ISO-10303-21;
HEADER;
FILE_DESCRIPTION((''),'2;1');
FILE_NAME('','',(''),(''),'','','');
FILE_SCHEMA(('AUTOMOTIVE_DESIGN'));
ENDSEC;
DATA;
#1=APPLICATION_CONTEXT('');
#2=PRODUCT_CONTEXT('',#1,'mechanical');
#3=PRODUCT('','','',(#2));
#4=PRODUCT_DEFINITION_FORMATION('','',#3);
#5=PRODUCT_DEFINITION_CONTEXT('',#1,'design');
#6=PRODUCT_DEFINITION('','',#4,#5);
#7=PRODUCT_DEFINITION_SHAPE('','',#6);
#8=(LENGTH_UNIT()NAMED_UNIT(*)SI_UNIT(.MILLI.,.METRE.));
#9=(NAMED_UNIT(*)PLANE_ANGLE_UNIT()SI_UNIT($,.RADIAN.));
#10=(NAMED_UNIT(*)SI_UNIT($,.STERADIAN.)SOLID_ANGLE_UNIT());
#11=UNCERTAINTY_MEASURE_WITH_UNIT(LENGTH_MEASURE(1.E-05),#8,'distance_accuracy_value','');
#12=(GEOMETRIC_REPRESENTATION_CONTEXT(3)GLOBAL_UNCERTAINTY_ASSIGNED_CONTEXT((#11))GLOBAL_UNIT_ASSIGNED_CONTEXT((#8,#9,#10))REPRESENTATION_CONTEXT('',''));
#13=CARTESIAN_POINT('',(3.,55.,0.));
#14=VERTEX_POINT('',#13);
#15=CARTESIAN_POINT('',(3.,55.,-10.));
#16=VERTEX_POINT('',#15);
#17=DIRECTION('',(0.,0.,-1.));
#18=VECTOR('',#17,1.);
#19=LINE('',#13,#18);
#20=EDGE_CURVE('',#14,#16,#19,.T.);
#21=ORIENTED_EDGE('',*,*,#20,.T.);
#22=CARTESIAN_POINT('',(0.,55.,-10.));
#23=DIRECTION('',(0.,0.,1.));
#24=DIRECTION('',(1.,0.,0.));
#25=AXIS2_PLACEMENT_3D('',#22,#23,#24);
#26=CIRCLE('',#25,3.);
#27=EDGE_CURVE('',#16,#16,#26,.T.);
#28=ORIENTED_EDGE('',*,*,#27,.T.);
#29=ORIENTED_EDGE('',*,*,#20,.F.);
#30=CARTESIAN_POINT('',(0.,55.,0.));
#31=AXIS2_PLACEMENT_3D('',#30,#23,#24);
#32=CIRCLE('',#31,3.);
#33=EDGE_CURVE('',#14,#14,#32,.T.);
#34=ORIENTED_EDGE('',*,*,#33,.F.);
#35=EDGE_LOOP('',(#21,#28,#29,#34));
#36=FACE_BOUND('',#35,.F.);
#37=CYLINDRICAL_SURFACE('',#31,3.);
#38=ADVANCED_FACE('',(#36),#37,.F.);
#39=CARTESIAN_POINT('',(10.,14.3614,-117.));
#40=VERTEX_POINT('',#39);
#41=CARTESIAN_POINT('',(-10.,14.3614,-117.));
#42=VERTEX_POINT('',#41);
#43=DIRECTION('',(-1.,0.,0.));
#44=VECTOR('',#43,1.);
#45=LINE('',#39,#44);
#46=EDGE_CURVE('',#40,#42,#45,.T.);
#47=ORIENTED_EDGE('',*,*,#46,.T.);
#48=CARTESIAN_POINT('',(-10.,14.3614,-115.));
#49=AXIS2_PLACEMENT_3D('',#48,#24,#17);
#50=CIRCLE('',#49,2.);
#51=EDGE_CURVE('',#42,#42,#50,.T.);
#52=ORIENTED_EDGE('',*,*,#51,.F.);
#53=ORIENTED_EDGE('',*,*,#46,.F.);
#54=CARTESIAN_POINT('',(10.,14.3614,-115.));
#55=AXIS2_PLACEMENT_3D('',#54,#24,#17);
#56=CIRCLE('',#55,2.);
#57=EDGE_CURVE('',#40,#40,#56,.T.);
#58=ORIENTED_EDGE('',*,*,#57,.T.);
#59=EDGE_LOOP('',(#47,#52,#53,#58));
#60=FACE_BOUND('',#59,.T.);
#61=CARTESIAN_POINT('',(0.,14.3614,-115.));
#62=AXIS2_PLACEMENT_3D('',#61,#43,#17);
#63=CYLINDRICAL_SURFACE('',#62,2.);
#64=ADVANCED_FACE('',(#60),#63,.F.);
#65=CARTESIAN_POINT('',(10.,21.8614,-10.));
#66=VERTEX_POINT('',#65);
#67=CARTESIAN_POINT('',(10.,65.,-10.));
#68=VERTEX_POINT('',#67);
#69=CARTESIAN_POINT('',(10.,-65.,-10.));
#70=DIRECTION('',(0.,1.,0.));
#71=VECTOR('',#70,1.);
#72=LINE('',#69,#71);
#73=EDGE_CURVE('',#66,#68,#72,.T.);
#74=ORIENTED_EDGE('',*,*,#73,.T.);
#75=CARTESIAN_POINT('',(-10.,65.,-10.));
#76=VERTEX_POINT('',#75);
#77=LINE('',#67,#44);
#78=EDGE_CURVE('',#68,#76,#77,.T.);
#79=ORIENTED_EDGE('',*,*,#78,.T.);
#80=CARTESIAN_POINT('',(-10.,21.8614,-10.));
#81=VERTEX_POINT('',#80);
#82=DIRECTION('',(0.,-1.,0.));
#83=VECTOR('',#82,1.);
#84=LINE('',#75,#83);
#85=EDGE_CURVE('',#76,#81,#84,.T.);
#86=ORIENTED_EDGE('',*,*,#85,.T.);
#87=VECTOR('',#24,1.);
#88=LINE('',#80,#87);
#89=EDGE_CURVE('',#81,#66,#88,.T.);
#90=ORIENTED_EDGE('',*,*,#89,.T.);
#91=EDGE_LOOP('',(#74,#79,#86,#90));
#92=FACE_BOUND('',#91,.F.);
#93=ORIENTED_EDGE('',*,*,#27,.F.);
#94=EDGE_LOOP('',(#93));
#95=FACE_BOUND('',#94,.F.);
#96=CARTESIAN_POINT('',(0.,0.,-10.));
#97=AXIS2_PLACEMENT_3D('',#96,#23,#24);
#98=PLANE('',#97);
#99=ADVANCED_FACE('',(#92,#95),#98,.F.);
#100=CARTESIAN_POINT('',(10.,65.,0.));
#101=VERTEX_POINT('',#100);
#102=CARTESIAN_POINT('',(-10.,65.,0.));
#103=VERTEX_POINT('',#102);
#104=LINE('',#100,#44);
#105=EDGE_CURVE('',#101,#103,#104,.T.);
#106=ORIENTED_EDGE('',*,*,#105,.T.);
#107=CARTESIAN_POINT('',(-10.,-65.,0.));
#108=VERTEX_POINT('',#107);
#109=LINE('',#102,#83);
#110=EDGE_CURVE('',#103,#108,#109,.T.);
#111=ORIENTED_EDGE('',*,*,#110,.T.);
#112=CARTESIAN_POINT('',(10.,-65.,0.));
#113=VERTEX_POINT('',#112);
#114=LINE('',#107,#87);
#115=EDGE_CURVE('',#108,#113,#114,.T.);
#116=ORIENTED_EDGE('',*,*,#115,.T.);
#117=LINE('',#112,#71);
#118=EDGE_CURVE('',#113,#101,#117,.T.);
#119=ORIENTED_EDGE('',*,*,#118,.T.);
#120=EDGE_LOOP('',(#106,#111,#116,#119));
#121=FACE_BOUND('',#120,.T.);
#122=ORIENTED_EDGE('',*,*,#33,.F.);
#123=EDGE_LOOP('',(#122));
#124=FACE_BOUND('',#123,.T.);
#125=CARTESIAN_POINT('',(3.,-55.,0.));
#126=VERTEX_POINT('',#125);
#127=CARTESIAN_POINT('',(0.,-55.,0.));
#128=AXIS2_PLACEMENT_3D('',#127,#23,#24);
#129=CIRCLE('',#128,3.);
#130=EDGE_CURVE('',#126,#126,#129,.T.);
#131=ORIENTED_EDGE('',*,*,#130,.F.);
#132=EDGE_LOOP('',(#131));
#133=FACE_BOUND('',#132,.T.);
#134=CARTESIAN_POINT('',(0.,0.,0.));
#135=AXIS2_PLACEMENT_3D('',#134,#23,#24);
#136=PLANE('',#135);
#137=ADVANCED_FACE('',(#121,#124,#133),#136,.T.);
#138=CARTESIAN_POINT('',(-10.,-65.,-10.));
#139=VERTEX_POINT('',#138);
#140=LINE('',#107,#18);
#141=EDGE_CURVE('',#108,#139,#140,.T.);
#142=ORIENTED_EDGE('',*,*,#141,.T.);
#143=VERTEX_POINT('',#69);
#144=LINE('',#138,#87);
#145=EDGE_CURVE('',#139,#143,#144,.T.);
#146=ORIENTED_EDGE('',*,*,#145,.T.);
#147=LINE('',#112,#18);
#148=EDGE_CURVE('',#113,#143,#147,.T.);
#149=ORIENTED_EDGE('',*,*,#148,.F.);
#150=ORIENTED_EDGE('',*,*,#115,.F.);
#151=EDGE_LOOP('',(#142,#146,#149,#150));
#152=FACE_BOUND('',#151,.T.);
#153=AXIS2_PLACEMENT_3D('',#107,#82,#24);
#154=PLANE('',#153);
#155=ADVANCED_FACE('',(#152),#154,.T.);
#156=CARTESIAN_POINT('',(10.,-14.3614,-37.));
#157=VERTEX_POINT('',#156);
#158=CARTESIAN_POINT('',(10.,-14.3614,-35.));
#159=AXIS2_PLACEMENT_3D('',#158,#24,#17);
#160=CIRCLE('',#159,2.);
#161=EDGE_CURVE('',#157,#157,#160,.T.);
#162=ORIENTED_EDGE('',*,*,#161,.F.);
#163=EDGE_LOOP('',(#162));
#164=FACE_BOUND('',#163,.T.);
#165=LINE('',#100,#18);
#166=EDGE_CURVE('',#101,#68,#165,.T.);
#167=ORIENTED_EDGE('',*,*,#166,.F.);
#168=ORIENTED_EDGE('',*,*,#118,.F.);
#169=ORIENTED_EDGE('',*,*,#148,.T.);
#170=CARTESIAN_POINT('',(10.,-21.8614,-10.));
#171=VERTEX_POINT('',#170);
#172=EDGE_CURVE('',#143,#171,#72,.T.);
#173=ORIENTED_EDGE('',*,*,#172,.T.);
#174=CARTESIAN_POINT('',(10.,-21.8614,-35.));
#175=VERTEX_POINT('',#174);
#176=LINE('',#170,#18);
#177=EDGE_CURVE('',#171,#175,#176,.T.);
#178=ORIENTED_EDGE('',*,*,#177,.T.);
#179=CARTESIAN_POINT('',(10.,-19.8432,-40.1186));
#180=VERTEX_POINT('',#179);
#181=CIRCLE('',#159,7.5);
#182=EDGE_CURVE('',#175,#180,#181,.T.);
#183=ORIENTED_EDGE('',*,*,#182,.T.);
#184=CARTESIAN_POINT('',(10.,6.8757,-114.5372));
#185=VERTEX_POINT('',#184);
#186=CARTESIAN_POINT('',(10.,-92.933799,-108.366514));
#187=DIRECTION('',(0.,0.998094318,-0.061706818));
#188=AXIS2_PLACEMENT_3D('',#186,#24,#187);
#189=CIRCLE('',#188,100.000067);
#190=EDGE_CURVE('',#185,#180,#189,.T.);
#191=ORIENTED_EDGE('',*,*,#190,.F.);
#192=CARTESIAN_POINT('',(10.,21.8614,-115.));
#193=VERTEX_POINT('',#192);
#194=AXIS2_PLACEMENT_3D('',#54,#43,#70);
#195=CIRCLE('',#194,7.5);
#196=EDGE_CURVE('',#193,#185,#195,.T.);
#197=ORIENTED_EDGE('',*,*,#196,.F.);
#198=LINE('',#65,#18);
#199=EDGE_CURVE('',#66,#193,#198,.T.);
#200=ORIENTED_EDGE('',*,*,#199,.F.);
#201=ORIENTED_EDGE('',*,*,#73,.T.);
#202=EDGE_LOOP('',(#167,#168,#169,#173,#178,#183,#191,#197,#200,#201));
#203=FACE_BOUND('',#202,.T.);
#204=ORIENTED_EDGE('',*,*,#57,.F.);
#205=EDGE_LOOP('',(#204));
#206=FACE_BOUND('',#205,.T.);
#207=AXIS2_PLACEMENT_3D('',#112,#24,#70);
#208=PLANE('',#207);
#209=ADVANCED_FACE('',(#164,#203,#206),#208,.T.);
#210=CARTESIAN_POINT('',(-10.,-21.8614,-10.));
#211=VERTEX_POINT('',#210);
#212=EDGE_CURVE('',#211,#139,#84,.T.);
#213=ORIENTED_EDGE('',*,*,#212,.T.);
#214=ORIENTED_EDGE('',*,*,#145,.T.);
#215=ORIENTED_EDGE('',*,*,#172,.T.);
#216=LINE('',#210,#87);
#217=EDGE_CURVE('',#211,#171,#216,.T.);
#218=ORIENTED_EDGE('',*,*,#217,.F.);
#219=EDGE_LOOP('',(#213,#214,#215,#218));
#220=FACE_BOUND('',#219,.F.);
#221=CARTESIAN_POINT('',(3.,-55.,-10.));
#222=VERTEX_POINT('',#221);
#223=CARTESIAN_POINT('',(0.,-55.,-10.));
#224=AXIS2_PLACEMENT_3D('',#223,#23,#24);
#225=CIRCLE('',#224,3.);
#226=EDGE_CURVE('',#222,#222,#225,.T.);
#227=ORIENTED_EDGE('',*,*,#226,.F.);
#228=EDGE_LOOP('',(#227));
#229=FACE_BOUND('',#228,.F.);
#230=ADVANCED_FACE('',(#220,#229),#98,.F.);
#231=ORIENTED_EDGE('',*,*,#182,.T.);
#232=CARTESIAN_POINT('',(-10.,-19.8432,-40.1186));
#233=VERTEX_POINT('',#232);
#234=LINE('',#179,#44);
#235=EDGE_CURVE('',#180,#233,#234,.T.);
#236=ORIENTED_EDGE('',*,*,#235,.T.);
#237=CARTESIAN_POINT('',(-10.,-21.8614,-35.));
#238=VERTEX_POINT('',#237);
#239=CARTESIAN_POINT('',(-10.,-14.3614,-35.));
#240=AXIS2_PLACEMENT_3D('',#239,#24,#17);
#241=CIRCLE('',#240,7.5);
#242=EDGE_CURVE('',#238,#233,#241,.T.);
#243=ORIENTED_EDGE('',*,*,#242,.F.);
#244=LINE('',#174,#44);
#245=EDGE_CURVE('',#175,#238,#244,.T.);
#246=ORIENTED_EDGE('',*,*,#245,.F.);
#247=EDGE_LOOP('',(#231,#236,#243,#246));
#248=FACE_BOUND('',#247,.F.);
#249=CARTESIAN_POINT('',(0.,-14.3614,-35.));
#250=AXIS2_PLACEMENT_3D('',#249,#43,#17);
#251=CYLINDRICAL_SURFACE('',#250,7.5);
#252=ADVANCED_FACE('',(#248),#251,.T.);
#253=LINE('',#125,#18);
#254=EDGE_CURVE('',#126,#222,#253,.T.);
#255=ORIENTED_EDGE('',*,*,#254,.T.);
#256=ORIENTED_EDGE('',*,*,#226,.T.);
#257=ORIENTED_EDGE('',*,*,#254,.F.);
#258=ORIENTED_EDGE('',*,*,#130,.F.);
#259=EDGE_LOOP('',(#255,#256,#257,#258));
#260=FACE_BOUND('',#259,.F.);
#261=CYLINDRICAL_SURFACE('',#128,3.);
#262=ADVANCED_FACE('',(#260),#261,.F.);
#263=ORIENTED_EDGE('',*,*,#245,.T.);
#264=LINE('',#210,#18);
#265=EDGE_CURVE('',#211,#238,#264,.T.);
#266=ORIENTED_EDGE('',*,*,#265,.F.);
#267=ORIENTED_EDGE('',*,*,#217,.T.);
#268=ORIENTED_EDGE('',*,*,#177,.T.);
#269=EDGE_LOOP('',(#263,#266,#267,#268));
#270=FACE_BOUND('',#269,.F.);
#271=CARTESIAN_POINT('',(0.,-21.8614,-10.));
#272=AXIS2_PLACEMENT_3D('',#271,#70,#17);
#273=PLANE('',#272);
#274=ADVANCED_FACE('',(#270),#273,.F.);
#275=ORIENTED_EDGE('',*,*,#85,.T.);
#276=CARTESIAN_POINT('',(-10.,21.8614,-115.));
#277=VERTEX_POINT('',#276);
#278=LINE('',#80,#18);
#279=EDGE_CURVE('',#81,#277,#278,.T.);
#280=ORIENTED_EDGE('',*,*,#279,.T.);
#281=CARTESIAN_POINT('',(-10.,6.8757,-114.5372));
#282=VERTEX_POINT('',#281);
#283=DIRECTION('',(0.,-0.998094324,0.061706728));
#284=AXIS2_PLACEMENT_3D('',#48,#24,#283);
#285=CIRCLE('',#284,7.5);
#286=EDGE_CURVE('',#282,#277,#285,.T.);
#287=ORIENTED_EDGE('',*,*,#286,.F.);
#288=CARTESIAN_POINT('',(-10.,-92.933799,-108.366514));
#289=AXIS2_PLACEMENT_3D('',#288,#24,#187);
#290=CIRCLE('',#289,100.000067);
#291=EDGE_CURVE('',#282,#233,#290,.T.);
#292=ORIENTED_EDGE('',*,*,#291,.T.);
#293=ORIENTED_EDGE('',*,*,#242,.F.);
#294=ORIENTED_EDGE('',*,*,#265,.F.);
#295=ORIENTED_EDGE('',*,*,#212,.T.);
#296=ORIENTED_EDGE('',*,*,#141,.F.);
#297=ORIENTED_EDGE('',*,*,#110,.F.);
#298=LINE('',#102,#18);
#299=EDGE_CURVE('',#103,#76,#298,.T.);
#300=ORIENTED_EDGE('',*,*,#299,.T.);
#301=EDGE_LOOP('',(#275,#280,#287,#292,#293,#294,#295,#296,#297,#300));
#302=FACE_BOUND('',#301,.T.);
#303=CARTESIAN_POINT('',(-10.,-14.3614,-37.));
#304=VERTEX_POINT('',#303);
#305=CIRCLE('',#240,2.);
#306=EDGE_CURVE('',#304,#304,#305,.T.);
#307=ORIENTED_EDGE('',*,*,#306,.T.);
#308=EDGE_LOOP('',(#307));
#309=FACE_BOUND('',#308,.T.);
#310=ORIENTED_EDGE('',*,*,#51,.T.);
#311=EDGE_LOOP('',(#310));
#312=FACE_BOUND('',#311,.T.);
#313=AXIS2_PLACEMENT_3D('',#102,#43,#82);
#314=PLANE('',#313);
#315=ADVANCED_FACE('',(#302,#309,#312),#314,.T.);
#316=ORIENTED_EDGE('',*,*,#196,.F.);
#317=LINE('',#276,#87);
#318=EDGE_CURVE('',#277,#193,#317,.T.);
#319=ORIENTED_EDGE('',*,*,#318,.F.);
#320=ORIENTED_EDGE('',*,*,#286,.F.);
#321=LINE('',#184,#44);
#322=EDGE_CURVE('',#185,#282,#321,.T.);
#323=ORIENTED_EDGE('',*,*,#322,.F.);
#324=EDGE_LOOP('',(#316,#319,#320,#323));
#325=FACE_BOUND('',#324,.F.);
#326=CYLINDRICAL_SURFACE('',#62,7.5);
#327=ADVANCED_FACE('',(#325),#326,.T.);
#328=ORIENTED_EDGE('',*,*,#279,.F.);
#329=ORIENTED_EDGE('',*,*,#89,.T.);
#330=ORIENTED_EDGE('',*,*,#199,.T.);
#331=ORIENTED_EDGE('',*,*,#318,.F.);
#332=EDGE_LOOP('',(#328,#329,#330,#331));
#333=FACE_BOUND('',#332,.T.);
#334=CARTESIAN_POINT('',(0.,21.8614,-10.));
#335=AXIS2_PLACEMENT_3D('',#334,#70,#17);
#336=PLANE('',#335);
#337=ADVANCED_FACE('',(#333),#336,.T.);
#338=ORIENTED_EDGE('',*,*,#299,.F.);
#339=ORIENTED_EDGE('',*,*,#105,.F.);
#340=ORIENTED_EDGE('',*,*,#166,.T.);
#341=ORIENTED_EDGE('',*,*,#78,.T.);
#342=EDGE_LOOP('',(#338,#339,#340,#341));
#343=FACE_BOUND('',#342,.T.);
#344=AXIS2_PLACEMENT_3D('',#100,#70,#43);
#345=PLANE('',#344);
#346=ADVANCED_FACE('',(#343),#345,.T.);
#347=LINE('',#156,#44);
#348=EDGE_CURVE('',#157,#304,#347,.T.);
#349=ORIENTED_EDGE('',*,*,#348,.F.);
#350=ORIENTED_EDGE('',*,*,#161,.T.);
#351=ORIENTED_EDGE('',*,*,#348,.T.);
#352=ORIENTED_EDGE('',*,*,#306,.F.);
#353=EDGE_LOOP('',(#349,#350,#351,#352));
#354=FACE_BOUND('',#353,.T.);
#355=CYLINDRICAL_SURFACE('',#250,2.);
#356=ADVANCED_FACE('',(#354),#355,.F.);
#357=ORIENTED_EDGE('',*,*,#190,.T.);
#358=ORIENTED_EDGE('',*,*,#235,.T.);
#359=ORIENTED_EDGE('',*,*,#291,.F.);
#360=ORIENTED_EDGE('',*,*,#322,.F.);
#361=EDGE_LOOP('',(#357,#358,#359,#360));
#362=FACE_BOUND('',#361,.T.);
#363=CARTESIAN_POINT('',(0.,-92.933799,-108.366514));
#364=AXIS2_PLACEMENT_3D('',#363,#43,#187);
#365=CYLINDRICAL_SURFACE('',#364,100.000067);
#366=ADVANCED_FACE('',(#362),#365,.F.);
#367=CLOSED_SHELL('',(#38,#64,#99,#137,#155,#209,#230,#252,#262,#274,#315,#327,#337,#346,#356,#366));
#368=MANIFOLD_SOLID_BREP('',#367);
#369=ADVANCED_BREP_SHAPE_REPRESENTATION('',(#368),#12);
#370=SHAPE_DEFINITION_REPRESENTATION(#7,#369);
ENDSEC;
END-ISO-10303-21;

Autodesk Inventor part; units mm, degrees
ref_plane "YZ Plane" through (0, 0, 0) normal (1, 0, 0) x (0, 1, 0)
ref_plane "XZ Plane" through (0, 0, 0) normal (0, 1, 0) x (-1, 0, 0)
ref_plane "XY Plane" through (0, 0, 0) normal (0, 0, 1) x (1, 0, 0)
sketch "Sketch1" plane through (0, 0, 0) normal (0, 0, 1) x (1, 0, 0)
  line L0 (-10, -65) -> (10, -65)
  line L1 (10, -65) -> (10, 65)
  line L2 (10, 65) -> (-10, 65)
  line L3 (-10, 65) -> (-10, -65)
  line L4 (-10, -65) -> (10, 65) construction
  line L5 (10, -65) -> (-10, 65) construction
  line L6 (0, 65) -> (0, -65) construction
  circle A0 centre (0, 55) radius 3
  circle A1 centre (0, -55) radius 3
  line L7 (10, 0) -> (-10, 0) construction
  point P0 (0, 0)
  dimension "d0" = 130
  dimension "d1" = 20
  dimension "d2" = 110
  dimension "d3" = 6
extrude "Base" add sketch "Sketch1" against normal blind 10
sketch "Sketch7" plane through (0, 0, 0) normal (1, 0, 0) x (0, 0, -1)
  circle A0 centre (115, 14.3614) radius 2
  circle A1 centre (35, -14.3614) radius 2
  line L0 (115, 14.3614) -> (35, -14.3614) construction
  circle A2 centre (115, 14.3614) radius 7.5
  circle A3 centre (35, -14.3614) radius 7.5
  arc A4 (114.5372, 6.8757) -> (40.1186, -19.8432) centre (108.3665, -92.9337) ccw
  line L1 (-20, 0) -> (120, 0) construction
  line L2 (10, 65) -> (10, -65) projected
  line L3 (10, -21.8614) -> (122.5, -21.8614)
  line L4 (10, -65) -> (10, 65) projected
  line L5 (10, 21.8614) -> (122.5, 21.8614)
  line L6 (122.5, 21.8614) -> (122.5, -21.8614)
  line L7 (66.25, 21.8614) -> (66.25, -21.8614) construction
  line L8 (66.25, 0) -> (122.5, 0) construction
  line L9 (122.5, 21.8614) -> (10, 45.7099)
  line L10 (122.5, -21.8614) -> (10, -45.7099)
  point P0 (0, 0)
  point P1 (115, 21.8614)
  point P2 (35, -21.8614)
  dimension "d99" = 15
  dimension "d73" = 85
  dimension "d74" = 4
  dimension "d100" = 100
  dimension "d104" = 105
  dimension "d105" = 25
  dimension "d108" = 115
extrude "Extrusion13" add sketch "Sketch7" along normal mid plane 20 contours A2 | A4 A3 L3 L2 L5 A2 | A3
equation "\"d0\" = Main_Body_Height"
equation "\"d1\" = Main_Body_Width"
equation "\"d2\" = Upright_Hole_Spacing"
equation "\"Base_Thickness\" = 4"
equation "\"Main_Body_Height\" = 130"
equation "\"Main_Body_Width\" = 20"
equation "\"Upright_Hole_Spacing\" = 110"
properties part number "Caliper Bracket Mount"
